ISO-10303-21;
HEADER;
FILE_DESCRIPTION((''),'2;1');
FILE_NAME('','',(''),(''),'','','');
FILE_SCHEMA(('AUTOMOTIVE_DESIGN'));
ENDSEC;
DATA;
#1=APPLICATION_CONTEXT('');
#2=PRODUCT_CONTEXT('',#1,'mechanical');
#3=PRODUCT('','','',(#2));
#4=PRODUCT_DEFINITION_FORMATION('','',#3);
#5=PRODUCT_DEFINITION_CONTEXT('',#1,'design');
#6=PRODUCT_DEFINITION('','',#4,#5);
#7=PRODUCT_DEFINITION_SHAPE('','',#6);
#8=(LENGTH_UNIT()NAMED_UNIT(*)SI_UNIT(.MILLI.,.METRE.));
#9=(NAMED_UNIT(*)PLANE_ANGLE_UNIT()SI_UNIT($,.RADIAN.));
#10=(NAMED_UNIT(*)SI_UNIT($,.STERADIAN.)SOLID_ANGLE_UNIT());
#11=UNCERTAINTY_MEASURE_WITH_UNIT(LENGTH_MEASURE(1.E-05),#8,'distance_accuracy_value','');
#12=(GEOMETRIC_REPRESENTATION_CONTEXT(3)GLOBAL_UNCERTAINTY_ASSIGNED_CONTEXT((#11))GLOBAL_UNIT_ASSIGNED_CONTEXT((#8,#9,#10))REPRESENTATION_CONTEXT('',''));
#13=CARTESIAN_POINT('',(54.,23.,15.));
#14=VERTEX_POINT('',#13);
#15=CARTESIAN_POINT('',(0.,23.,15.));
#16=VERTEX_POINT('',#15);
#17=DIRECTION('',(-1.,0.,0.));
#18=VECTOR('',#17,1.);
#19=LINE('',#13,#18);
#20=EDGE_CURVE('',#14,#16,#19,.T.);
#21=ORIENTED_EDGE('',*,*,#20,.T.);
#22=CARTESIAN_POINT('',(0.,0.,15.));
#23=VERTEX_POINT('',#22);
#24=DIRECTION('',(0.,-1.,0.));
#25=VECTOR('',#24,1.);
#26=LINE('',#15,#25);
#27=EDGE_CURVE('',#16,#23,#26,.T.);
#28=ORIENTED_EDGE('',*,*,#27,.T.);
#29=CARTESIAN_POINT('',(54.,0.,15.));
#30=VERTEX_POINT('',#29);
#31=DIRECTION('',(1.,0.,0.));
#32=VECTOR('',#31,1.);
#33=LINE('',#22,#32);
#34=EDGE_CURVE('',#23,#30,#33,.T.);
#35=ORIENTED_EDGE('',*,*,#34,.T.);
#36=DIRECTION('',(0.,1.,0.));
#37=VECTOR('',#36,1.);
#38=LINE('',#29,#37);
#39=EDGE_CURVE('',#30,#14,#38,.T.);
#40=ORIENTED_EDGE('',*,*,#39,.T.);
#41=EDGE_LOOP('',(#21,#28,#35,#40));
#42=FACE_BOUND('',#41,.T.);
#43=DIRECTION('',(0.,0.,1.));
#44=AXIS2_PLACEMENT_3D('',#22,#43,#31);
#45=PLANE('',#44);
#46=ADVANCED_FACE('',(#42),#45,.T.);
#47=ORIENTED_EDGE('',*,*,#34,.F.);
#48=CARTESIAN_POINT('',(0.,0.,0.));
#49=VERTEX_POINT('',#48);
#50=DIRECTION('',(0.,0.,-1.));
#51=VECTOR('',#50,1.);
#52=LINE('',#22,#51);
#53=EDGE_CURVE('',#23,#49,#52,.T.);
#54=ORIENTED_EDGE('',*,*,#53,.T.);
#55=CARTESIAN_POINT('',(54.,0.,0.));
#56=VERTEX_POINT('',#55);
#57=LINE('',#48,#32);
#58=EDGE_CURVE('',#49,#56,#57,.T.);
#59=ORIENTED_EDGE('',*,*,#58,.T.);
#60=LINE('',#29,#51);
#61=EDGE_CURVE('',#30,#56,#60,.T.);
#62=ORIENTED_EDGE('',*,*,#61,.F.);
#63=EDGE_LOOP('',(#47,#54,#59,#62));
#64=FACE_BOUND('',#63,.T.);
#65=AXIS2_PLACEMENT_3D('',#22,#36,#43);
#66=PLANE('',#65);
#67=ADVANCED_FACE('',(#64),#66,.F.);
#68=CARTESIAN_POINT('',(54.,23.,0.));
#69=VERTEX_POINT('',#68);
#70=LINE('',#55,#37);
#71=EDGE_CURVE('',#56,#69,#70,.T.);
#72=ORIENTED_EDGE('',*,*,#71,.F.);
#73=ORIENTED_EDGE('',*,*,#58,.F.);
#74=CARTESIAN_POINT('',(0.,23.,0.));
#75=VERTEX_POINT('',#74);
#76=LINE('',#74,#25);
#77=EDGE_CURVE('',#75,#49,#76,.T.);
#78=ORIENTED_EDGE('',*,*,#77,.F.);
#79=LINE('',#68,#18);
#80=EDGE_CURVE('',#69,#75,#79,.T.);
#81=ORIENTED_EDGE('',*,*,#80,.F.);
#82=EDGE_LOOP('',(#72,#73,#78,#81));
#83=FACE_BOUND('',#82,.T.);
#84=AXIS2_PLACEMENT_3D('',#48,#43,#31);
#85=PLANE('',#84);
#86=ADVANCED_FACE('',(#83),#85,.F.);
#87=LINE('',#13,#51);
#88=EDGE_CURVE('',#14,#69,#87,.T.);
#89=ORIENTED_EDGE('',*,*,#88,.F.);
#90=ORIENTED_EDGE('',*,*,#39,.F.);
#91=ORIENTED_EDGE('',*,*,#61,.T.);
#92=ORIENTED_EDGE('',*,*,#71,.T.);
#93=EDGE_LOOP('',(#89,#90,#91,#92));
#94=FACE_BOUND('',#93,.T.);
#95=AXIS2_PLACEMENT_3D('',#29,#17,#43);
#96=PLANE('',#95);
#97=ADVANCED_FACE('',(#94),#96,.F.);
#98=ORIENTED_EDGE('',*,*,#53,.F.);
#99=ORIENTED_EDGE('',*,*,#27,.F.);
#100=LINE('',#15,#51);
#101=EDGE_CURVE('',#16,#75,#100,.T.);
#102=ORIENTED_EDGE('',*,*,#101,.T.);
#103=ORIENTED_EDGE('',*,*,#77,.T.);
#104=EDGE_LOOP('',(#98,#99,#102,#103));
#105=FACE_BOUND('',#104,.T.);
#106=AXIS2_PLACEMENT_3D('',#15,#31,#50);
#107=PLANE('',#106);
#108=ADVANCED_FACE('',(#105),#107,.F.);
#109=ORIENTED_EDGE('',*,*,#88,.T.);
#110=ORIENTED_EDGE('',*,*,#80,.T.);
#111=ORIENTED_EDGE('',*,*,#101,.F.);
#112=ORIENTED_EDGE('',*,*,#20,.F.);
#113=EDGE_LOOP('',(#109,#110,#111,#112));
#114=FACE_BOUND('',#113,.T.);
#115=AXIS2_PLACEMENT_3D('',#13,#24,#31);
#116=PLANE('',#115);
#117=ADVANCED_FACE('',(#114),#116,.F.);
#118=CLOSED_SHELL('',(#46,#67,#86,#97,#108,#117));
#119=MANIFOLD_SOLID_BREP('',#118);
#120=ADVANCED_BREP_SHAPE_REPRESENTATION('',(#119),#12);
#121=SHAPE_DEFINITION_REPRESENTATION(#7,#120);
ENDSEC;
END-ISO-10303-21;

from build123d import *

# Parameters (mm, degrees)
SKETCH_1_W      = 54
SKETCH_1_H      = 23
EXTRUDE_1_DEPTH = 15


with BuildPart() as part:
    # 草图1 → 凸台-拉伸1 (new body)
    with BuildSketch(Plane.XY):
        with Locations((27, 11.5)):
            Rectangle(SKETCH_1_W, SKETCH_1_H)
    extrude(amount=EXTRUDE_1_DEPTH)


solid = part.part
